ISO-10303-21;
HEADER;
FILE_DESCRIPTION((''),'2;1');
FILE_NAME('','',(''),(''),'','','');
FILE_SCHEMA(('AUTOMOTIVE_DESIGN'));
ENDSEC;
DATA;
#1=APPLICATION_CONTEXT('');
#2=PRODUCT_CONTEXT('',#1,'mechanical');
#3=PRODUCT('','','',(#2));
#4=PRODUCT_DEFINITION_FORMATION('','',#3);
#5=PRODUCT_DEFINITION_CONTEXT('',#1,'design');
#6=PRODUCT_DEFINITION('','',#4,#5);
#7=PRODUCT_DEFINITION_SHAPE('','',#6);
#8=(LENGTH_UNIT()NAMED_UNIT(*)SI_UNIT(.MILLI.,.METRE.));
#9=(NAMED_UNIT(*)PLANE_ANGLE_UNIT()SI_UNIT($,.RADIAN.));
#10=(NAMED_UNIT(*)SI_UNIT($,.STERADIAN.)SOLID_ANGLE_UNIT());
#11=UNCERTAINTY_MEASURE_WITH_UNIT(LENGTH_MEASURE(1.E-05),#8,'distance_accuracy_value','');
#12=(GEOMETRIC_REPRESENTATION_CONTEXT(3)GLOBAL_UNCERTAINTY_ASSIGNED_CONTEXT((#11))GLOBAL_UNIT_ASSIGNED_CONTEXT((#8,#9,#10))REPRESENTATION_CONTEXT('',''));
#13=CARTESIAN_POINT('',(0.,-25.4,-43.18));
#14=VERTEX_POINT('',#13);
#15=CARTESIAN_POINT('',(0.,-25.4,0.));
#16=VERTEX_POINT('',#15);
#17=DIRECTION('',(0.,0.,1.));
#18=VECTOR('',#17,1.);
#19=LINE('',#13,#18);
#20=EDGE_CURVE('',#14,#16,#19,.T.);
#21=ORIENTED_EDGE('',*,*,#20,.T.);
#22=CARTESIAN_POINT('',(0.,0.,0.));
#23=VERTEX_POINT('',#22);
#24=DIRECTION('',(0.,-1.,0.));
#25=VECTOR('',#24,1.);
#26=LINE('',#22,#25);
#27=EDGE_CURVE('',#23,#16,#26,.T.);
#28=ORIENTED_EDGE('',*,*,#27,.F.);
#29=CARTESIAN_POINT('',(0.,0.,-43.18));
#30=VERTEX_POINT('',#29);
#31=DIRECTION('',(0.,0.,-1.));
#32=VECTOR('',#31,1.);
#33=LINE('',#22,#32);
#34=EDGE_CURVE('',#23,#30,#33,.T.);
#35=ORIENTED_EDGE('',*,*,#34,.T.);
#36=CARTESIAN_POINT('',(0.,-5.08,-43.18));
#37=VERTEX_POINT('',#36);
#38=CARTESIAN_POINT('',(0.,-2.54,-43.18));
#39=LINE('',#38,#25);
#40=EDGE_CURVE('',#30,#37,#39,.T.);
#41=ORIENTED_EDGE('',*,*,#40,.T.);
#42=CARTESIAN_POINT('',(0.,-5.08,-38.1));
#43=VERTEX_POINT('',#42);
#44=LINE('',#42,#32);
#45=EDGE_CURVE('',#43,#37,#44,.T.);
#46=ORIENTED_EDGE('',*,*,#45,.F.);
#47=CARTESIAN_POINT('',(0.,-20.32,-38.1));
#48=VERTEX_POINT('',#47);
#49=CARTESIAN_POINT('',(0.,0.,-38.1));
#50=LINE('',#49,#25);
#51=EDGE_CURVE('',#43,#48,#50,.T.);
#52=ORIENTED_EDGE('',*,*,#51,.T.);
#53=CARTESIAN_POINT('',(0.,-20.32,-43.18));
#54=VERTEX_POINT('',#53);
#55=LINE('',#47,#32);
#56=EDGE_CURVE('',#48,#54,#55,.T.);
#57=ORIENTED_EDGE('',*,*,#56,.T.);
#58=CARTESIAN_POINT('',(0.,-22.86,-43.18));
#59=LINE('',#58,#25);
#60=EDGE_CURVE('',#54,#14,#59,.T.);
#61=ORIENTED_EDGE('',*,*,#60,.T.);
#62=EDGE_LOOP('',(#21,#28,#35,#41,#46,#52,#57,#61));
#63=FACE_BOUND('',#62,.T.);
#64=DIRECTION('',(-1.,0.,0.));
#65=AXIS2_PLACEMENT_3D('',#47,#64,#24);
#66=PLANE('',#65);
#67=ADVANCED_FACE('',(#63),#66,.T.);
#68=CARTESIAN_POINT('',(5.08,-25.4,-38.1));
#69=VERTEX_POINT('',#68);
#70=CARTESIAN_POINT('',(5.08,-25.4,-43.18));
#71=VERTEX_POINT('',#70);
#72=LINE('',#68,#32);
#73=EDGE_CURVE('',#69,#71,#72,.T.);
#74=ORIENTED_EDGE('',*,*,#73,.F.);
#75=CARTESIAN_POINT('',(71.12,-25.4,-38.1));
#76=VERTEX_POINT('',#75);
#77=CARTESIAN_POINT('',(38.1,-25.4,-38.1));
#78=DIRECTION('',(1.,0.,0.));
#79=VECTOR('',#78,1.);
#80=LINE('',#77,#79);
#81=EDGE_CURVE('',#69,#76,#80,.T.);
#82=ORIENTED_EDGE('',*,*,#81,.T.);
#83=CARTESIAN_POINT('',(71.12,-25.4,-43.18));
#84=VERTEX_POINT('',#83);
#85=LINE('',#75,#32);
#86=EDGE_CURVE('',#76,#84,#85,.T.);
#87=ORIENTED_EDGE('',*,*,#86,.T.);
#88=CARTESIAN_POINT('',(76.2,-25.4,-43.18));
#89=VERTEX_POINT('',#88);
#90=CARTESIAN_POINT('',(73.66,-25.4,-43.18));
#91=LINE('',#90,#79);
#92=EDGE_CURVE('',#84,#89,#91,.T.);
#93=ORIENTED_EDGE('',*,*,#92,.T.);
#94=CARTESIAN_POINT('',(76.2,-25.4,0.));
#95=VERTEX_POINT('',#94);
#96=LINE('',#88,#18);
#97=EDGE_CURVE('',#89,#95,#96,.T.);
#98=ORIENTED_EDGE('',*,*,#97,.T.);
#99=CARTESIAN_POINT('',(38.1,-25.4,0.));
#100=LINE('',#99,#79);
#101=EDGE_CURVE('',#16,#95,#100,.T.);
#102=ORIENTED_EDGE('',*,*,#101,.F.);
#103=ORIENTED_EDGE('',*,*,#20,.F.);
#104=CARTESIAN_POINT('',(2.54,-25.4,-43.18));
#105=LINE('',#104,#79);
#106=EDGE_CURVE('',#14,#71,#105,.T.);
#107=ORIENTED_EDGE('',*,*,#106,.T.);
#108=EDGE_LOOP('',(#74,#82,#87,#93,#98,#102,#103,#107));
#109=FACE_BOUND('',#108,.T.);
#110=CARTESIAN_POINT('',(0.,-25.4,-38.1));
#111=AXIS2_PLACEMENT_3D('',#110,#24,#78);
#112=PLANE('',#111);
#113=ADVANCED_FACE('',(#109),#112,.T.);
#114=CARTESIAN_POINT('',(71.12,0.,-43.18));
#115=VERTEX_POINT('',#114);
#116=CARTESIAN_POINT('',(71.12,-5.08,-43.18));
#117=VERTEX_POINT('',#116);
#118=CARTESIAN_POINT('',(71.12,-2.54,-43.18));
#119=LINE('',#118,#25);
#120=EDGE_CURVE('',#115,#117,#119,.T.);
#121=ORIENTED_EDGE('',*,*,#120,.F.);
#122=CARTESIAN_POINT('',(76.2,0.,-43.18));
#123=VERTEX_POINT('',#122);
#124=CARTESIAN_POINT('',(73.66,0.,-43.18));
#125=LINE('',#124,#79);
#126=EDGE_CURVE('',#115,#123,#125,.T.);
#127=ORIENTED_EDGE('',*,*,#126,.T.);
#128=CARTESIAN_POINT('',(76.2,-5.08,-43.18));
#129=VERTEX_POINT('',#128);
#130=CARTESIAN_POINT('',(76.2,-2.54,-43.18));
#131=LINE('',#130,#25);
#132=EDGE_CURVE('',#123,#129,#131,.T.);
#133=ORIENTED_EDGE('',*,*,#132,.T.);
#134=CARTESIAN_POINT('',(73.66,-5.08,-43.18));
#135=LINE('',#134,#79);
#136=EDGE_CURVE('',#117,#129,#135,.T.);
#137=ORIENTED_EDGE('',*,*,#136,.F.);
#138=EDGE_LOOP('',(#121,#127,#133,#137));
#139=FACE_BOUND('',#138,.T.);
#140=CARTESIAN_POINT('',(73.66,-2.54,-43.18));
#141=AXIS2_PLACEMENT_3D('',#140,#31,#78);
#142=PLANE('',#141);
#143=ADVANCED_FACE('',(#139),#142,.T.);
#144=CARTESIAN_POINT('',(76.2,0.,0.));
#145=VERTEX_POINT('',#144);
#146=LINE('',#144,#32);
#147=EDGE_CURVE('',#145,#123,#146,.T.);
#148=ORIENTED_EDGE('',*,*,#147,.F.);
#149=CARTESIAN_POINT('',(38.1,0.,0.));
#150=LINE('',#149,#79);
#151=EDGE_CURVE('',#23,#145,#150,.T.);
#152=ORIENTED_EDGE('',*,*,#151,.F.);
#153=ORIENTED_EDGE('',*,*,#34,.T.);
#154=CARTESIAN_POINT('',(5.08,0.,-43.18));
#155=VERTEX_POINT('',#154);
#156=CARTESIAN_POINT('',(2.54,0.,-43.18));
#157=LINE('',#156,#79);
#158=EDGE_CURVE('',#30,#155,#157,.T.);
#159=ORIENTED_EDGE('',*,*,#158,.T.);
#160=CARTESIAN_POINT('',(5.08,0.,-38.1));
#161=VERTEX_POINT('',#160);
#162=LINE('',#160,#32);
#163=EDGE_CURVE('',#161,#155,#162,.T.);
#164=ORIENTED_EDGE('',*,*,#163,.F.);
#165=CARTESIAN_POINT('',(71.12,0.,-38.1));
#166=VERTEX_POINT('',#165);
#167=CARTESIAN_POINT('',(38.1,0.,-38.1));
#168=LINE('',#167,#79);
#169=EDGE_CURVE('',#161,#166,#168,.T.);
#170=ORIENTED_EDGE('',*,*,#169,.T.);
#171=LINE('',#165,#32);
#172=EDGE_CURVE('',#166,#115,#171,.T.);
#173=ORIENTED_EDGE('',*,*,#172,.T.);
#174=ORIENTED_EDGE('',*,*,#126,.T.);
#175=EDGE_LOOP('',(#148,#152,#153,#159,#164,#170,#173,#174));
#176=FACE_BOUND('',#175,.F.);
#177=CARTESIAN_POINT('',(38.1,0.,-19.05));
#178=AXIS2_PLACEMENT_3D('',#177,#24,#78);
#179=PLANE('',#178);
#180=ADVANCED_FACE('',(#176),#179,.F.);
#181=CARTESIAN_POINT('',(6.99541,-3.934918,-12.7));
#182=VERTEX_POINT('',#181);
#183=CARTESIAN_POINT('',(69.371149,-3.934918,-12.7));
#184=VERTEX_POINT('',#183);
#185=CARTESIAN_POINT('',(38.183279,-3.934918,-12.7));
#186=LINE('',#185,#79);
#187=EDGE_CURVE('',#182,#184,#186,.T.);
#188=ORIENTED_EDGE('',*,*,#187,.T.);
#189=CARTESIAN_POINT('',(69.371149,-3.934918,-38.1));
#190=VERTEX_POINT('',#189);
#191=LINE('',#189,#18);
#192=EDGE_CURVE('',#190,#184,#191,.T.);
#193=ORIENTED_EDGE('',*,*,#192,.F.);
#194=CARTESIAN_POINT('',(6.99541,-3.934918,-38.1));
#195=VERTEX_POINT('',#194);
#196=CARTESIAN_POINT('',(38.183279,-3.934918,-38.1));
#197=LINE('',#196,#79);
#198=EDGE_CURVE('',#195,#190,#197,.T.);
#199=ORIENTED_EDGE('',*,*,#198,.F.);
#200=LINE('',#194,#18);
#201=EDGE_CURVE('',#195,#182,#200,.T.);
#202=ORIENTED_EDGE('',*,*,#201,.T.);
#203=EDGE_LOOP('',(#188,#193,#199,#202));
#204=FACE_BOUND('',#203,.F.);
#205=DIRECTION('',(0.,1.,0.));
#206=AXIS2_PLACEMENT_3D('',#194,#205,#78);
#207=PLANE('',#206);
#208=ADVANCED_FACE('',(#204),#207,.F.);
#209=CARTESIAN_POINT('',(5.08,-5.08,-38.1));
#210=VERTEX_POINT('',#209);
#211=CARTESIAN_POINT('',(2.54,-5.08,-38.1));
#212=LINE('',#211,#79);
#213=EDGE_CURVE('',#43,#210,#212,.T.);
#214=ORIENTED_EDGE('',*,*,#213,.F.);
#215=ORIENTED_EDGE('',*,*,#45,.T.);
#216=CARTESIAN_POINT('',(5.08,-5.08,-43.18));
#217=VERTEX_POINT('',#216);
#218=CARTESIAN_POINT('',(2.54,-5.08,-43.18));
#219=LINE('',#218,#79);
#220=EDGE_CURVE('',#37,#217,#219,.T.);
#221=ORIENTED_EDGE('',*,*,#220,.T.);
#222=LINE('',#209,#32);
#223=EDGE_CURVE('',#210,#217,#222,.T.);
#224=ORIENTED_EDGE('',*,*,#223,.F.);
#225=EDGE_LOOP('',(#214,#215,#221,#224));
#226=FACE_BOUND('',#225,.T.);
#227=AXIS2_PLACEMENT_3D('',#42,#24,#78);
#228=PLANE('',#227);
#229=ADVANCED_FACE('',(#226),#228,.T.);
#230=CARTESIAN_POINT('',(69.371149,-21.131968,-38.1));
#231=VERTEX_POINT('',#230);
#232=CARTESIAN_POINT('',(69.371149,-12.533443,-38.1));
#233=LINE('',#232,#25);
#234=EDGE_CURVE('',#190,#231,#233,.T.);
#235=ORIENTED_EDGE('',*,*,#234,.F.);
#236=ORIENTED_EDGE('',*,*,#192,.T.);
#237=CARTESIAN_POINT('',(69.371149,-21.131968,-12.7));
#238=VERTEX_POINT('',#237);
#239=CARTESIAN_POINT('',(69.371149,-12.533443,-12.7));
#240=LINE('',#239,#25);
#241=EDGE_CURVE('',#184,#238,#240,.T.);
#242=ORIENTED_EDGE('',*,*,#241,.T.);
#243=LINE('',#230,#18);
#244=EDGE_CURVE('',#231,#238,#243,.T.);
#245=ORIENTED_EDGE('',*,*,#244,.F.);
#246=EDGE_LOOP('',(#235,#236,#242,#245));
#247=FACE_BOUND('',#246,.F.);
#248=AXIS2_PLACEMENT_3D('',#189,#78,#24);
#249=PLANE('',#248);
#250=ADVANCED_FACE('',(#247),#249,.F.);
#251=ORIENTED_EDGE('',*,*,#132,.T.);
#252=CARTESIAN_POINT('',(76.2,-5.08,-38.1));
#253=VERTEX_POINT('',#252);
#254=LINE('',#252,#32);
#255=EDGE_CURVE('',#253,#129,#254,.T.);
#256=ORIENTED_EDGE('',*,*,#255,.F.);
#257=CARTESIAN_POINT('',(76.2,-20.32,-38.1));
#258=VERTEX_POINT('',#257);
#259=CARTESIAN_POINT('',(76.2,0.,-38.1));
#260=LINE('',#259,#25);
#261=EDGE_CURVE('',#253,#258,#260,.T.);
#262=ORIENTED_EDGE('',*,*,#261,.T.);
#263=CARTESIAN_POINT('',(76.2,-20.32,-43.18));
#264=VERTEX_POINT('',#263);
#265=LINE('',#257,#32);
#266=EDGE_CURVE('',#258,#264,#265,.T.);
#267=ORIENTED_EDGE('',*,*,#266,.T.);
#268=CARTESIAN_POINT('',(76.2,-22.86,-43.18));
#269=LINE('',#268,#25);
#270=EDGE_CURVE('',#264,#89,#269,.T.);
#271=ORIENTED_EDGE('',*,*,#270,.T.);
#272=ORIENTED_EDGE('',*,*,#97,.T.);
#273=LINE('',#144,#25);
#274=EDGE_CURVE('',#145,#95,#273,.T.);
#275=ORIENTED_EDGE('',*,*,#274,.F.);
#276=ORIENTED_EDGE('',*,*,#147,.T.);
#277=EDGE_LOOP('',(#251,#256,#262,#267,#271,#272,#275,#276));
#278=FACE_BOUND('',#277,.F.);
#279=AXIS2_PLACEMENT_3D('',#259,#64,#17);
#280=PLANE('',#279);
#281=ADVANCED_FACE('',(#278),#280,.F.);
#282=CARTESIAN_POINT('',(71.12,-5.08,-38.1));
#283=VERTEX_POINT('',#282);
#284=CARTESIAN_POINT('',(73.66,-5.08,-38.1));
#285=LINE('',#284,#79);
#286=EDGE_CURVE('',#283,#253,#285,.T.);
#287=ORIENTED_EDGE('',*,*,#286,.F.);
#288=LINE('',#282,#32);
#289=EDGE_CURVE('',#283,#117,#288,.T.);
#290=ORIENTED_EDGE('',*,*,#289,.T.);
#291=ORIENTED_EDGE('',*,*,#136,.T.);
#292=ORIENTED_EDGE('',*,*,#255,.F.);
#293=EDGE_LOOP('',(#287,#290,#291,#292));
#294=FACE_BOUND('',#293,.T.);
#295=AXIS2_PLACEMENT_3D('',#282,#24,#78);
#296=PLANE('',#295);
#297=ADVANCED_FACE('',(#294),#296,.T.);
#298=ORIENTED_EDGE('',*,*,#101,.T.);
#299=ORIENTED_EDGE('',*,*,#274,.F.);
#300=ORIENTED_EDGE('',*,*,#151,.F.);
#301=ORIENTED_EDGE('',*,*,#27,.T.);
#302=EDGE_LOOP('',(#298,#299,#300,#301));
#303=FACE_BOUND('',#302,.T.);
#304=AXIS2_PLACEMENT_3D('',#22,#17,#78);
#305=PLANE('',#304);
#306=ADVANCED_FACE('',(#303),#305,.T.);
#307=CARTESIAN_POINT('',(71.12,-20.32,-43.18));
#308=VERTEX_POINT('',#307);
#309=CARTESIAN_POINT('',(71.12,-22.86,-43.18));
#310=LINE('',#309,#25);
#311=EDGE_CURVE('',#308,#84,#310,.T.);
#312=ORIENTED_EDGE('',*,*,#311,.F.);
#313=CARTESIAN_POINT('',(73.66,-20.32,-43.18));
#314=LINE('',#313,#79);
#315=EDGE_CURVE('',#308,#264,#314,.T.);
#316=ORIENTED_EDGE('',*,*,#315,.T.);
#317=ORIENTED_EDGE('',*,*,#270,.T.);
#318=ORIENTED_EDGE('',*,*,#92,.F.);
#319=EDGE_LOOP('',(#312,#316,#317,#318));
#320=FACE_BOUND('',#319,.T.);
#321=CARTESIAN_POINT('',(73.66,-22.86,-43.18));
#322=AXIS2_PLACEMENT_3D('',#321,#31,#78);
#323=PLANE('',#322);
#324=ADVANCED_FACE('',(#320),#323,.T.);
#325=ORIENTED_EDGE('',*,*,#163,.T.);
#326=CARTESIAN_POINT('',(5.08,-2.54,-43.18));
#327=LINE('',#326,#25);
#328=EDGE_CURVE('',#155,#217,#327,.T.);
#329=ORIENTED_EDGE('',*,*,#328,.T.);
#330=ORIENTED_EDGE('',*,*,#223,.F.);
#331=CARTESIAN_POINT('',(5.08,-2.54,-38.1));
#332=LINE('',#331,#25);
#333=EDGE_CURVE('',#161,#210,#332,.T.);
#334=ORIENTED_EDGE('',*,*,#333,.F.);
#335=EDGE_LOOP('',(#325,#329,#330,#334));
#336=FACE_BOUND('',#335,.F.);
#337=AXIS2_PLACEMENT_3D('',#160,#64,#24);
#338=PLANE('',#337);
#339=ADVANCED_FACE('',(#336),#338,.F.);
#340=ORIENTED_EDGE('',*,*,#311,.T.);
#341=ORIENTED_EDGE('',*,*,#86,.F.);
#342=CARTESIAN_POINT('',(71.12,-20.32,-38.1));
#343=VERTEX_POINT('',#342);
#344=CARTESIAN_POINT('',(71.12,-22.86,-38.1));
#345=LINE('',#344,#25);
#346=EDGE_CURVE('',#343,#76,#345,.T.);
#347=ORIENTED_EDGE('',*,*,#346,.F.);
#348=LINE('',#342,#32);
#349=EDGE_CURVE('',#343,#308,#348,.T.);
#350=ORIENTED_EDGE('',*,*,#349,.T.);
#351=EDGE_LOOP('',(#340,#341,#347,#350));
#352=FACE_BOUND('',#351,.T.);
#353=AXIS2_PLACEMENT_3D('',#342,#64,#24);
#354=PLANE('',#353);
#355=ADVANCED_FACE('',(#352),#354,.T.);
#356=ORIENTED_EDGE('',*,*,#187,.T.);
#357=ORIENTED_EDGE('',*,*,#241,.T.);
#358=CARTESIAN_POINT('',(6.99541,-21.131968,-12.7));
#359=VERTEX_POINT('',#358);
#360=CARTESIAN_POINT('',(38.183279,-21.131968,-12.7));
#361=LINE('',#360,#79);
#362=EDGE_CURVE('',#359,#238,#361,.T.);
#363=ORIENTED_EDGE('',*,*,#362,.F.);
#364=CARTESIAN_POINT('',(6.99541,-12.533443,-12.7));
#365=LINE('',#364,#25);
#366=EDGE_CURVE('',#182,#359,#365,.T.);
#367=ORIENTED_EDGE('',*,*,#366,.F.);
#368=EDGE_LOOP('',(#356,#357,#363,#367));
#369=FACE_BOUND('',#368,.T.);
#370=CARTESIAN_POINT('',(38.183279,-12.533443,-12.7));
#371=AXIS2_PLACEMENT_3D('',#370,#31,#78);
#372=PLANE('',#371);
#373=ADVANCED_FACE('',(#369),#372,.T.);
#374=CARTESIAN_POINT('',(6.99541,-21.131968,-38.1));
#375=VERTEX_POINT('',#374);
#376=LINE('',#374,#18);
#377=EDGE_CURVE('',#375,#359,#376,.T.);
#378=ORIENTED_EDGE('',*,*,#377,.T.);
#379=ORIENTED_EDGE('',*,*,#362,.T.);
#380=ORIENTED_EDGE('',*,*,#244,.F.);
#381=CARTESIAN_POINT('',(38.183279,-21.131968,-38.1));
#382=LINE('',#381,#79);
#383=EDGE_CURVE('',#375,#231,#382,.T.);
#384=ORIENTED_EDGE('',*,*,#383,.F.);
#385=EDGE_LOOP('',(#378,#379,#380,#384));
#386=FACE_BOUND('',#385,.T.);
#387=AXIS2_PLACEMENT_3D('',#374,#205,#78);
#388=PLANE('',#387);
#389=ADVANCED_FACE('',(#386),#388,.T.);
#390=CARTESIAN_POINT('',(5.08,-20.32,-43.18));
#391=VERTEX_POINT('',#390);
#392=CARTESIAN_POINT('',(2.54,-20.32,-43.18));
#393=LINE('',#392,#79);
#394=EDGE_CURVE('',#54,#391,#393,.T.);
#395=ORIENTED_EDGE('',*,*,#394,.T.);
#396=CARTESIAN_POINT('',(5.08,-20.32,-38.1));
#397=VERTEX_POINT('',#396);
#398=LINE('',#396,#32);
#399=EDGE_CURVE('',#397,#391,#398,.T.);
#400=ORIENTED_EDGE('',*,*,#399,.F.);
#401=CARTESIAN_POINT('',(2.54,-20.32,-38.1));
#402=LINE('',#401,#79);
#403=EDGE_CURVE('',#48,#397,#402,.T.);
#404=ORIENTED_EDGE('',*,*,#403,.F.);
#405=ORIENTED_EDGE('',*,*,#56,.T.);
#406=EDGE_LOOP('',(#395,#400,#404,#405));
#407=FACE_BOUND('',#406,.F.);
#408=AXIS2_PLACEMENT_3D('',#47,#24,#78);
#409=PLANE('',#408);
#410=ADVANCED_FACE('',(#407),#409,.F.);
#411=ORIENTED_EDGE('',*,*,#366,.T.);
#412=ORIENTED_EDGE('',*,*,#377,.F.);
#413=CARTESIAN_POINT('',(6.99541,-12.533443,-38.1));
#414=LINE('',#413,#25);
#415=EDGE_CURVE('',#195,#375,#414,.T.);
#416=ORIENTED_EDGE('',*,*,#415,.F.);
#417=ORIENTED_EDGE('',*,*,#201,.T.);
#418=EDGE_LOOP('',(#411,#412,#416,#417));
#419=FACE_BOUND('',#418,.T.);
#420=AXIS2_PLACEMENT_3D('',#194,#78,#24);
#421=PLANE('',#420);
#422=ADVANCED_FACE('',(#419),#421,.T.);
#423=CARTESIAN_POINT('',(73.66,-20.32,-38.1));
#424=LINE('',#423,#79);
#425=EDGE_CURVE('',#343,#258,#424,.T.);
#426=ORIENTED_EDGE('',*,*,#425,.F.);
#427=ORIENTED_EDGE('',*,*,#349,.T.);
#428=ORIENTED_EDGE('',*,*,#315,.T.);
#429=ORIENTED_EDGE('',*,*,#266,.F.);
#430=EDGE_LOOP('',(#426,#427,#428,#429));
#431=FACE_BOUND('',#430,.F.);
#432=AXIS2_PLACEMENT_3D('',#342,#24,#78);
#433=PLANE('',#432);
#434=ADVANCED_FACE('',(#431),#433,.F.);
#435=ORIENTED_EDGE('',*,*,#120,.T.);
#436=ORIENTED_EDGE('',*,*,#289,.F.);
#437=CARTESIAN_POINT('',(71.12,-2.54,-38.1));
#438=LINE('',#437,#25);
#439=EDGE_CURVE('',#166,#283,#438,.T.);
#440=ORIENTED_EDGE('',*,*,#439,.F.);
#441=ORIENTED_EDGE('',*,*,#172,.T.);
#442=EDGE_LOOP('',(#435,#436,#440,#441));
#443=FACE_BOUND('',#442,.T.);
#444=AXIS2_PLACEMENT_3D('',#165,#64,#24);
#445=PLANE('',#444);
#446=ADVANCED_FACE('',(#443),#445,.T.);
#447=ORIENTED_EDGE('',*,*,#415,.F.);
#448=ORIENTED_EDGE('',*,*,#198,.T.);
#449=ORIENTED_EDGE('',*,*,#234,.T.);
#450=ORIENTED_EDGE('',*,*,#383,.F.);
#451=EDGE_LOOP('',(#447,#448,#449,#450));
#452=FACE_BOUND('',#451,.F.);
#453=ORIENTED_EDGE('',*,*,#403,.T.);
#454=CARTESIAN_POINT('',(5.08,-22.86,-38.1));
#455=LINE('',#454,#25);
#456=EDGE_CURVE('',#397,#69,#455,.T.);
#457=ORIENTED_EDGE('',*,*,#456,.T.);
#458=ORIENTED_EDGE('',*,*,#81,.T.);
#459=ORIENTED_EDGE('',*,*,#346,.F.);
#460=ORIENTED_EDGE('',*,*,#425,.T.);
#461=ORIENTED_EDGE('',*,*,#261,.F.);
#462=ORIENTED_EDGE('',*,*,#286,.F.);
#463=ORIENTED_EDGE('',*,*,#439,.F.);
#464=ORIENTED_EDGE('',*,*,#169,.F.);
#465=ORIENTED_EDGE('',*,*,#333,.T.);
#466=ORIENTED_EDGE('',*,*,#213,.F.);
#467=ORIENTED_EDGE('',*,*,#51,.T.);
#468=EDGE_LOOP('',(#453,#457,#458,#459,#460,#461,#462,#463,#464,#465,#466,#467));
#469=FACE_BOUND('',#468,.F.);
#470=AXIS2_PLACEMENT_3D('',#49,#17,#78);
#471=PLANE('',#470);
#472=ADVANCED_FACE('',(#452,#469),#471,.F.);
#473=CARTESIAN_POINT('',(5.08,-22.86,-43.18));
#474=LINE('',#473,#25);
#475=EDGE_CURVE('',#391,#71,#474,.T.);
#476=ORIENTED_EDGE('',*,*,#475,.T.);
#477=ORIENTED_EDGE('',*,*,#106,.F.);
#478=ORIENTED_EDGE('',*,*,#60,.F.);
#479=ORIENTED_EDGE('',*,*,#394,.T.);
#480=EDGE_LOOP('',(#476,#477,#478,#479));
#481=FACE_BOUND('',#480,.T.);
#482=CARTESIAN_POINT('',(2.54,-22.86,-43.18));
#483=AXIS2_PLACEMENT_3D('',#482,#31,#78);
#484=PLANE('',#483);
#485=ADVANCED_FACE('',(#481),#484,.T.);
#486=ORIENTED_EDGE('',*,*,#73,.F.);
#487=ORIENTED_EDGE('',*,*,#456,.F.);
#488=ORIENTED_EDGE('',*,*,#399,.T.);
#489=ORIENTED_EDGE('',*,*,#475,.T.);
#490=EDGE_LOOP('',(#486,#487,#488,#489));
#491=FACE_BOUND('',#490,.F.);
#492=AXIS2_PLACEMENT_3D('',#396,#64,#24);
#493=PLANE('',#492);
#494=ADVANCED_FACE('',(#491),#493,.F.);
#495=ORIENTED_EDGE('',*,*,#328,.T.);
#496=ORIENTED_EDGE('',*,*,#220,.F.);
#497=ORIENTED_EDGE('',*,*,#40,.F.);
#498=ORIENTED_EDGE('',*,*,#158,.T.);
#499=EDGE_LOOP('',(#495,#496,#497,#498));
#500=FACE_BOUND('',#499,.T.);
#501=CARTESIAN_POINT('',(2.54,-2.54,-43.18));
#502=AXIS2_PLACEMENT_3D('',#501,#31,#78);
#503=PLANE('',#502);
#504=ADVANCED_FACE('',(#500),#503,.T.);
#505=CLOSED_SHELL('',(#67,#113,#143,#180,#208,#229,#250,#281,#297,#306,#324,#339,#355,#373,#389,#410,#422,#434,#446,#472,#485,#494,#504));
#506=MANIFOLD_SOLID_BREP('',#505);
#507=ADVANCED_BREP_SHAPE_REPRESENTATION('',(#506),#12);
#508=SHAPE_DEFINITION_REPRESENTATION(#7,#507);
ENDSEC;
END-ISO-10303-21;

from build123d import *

# Parameters (mm, degrees)
F0_W     = 76.2
F0_H     = 38.1
F1_DEPTH = 25.4
F2_W     = 5.08
F2_H     = 5.08
F3_DEPTH = 5.08
F4_W     = 62.375739
F4_H     = 17.19705
F5_DEPTH = 25.4


with BuildPart() as f1:
    # F0 (on Front) → F1 (new body)
    with BuildSketch(Plane.XZ):
        with Locations((38.1, -19.05)):
            Rectangle(F0_W, F0_H)
    extrude(amount=F1_DEPTH)

    # F2 (on face) → F3 (join)
    with BuildSketch(Plane(origin=(0, 0, -38.1), x_dir=(1, 0, 0), z_dir=(0, 0, -1))):
        with Locations((2.54, 22.86)):
            Rectangle(F2_W, F2_H)
        with Locations((2.54, 2.54)):
            Rectangle(F2_W, F2_H)
        with Locations((73.66, 22.86)):
            Rectangle(F2_W, F2_H)
        with Locations((73.66, 2.54)):
            Rectangle(F2_W, F2_H)
    extrude(amount=F3_DEPTH)

    # F4 (on face) → F5 (cut)
    with BuildSketch(Plane(origin=(0, 0, -38.1), x_dir=(1, 0, 0), z_dir=(0, 0, -1))):
        with Locations((38.183279, 12.533443)):
            Rectangle(F4_W, F4_H)
    extrude(amount=-F5_DEPTH, mode=Mode.SUBTRACT)


solid = f1.part
